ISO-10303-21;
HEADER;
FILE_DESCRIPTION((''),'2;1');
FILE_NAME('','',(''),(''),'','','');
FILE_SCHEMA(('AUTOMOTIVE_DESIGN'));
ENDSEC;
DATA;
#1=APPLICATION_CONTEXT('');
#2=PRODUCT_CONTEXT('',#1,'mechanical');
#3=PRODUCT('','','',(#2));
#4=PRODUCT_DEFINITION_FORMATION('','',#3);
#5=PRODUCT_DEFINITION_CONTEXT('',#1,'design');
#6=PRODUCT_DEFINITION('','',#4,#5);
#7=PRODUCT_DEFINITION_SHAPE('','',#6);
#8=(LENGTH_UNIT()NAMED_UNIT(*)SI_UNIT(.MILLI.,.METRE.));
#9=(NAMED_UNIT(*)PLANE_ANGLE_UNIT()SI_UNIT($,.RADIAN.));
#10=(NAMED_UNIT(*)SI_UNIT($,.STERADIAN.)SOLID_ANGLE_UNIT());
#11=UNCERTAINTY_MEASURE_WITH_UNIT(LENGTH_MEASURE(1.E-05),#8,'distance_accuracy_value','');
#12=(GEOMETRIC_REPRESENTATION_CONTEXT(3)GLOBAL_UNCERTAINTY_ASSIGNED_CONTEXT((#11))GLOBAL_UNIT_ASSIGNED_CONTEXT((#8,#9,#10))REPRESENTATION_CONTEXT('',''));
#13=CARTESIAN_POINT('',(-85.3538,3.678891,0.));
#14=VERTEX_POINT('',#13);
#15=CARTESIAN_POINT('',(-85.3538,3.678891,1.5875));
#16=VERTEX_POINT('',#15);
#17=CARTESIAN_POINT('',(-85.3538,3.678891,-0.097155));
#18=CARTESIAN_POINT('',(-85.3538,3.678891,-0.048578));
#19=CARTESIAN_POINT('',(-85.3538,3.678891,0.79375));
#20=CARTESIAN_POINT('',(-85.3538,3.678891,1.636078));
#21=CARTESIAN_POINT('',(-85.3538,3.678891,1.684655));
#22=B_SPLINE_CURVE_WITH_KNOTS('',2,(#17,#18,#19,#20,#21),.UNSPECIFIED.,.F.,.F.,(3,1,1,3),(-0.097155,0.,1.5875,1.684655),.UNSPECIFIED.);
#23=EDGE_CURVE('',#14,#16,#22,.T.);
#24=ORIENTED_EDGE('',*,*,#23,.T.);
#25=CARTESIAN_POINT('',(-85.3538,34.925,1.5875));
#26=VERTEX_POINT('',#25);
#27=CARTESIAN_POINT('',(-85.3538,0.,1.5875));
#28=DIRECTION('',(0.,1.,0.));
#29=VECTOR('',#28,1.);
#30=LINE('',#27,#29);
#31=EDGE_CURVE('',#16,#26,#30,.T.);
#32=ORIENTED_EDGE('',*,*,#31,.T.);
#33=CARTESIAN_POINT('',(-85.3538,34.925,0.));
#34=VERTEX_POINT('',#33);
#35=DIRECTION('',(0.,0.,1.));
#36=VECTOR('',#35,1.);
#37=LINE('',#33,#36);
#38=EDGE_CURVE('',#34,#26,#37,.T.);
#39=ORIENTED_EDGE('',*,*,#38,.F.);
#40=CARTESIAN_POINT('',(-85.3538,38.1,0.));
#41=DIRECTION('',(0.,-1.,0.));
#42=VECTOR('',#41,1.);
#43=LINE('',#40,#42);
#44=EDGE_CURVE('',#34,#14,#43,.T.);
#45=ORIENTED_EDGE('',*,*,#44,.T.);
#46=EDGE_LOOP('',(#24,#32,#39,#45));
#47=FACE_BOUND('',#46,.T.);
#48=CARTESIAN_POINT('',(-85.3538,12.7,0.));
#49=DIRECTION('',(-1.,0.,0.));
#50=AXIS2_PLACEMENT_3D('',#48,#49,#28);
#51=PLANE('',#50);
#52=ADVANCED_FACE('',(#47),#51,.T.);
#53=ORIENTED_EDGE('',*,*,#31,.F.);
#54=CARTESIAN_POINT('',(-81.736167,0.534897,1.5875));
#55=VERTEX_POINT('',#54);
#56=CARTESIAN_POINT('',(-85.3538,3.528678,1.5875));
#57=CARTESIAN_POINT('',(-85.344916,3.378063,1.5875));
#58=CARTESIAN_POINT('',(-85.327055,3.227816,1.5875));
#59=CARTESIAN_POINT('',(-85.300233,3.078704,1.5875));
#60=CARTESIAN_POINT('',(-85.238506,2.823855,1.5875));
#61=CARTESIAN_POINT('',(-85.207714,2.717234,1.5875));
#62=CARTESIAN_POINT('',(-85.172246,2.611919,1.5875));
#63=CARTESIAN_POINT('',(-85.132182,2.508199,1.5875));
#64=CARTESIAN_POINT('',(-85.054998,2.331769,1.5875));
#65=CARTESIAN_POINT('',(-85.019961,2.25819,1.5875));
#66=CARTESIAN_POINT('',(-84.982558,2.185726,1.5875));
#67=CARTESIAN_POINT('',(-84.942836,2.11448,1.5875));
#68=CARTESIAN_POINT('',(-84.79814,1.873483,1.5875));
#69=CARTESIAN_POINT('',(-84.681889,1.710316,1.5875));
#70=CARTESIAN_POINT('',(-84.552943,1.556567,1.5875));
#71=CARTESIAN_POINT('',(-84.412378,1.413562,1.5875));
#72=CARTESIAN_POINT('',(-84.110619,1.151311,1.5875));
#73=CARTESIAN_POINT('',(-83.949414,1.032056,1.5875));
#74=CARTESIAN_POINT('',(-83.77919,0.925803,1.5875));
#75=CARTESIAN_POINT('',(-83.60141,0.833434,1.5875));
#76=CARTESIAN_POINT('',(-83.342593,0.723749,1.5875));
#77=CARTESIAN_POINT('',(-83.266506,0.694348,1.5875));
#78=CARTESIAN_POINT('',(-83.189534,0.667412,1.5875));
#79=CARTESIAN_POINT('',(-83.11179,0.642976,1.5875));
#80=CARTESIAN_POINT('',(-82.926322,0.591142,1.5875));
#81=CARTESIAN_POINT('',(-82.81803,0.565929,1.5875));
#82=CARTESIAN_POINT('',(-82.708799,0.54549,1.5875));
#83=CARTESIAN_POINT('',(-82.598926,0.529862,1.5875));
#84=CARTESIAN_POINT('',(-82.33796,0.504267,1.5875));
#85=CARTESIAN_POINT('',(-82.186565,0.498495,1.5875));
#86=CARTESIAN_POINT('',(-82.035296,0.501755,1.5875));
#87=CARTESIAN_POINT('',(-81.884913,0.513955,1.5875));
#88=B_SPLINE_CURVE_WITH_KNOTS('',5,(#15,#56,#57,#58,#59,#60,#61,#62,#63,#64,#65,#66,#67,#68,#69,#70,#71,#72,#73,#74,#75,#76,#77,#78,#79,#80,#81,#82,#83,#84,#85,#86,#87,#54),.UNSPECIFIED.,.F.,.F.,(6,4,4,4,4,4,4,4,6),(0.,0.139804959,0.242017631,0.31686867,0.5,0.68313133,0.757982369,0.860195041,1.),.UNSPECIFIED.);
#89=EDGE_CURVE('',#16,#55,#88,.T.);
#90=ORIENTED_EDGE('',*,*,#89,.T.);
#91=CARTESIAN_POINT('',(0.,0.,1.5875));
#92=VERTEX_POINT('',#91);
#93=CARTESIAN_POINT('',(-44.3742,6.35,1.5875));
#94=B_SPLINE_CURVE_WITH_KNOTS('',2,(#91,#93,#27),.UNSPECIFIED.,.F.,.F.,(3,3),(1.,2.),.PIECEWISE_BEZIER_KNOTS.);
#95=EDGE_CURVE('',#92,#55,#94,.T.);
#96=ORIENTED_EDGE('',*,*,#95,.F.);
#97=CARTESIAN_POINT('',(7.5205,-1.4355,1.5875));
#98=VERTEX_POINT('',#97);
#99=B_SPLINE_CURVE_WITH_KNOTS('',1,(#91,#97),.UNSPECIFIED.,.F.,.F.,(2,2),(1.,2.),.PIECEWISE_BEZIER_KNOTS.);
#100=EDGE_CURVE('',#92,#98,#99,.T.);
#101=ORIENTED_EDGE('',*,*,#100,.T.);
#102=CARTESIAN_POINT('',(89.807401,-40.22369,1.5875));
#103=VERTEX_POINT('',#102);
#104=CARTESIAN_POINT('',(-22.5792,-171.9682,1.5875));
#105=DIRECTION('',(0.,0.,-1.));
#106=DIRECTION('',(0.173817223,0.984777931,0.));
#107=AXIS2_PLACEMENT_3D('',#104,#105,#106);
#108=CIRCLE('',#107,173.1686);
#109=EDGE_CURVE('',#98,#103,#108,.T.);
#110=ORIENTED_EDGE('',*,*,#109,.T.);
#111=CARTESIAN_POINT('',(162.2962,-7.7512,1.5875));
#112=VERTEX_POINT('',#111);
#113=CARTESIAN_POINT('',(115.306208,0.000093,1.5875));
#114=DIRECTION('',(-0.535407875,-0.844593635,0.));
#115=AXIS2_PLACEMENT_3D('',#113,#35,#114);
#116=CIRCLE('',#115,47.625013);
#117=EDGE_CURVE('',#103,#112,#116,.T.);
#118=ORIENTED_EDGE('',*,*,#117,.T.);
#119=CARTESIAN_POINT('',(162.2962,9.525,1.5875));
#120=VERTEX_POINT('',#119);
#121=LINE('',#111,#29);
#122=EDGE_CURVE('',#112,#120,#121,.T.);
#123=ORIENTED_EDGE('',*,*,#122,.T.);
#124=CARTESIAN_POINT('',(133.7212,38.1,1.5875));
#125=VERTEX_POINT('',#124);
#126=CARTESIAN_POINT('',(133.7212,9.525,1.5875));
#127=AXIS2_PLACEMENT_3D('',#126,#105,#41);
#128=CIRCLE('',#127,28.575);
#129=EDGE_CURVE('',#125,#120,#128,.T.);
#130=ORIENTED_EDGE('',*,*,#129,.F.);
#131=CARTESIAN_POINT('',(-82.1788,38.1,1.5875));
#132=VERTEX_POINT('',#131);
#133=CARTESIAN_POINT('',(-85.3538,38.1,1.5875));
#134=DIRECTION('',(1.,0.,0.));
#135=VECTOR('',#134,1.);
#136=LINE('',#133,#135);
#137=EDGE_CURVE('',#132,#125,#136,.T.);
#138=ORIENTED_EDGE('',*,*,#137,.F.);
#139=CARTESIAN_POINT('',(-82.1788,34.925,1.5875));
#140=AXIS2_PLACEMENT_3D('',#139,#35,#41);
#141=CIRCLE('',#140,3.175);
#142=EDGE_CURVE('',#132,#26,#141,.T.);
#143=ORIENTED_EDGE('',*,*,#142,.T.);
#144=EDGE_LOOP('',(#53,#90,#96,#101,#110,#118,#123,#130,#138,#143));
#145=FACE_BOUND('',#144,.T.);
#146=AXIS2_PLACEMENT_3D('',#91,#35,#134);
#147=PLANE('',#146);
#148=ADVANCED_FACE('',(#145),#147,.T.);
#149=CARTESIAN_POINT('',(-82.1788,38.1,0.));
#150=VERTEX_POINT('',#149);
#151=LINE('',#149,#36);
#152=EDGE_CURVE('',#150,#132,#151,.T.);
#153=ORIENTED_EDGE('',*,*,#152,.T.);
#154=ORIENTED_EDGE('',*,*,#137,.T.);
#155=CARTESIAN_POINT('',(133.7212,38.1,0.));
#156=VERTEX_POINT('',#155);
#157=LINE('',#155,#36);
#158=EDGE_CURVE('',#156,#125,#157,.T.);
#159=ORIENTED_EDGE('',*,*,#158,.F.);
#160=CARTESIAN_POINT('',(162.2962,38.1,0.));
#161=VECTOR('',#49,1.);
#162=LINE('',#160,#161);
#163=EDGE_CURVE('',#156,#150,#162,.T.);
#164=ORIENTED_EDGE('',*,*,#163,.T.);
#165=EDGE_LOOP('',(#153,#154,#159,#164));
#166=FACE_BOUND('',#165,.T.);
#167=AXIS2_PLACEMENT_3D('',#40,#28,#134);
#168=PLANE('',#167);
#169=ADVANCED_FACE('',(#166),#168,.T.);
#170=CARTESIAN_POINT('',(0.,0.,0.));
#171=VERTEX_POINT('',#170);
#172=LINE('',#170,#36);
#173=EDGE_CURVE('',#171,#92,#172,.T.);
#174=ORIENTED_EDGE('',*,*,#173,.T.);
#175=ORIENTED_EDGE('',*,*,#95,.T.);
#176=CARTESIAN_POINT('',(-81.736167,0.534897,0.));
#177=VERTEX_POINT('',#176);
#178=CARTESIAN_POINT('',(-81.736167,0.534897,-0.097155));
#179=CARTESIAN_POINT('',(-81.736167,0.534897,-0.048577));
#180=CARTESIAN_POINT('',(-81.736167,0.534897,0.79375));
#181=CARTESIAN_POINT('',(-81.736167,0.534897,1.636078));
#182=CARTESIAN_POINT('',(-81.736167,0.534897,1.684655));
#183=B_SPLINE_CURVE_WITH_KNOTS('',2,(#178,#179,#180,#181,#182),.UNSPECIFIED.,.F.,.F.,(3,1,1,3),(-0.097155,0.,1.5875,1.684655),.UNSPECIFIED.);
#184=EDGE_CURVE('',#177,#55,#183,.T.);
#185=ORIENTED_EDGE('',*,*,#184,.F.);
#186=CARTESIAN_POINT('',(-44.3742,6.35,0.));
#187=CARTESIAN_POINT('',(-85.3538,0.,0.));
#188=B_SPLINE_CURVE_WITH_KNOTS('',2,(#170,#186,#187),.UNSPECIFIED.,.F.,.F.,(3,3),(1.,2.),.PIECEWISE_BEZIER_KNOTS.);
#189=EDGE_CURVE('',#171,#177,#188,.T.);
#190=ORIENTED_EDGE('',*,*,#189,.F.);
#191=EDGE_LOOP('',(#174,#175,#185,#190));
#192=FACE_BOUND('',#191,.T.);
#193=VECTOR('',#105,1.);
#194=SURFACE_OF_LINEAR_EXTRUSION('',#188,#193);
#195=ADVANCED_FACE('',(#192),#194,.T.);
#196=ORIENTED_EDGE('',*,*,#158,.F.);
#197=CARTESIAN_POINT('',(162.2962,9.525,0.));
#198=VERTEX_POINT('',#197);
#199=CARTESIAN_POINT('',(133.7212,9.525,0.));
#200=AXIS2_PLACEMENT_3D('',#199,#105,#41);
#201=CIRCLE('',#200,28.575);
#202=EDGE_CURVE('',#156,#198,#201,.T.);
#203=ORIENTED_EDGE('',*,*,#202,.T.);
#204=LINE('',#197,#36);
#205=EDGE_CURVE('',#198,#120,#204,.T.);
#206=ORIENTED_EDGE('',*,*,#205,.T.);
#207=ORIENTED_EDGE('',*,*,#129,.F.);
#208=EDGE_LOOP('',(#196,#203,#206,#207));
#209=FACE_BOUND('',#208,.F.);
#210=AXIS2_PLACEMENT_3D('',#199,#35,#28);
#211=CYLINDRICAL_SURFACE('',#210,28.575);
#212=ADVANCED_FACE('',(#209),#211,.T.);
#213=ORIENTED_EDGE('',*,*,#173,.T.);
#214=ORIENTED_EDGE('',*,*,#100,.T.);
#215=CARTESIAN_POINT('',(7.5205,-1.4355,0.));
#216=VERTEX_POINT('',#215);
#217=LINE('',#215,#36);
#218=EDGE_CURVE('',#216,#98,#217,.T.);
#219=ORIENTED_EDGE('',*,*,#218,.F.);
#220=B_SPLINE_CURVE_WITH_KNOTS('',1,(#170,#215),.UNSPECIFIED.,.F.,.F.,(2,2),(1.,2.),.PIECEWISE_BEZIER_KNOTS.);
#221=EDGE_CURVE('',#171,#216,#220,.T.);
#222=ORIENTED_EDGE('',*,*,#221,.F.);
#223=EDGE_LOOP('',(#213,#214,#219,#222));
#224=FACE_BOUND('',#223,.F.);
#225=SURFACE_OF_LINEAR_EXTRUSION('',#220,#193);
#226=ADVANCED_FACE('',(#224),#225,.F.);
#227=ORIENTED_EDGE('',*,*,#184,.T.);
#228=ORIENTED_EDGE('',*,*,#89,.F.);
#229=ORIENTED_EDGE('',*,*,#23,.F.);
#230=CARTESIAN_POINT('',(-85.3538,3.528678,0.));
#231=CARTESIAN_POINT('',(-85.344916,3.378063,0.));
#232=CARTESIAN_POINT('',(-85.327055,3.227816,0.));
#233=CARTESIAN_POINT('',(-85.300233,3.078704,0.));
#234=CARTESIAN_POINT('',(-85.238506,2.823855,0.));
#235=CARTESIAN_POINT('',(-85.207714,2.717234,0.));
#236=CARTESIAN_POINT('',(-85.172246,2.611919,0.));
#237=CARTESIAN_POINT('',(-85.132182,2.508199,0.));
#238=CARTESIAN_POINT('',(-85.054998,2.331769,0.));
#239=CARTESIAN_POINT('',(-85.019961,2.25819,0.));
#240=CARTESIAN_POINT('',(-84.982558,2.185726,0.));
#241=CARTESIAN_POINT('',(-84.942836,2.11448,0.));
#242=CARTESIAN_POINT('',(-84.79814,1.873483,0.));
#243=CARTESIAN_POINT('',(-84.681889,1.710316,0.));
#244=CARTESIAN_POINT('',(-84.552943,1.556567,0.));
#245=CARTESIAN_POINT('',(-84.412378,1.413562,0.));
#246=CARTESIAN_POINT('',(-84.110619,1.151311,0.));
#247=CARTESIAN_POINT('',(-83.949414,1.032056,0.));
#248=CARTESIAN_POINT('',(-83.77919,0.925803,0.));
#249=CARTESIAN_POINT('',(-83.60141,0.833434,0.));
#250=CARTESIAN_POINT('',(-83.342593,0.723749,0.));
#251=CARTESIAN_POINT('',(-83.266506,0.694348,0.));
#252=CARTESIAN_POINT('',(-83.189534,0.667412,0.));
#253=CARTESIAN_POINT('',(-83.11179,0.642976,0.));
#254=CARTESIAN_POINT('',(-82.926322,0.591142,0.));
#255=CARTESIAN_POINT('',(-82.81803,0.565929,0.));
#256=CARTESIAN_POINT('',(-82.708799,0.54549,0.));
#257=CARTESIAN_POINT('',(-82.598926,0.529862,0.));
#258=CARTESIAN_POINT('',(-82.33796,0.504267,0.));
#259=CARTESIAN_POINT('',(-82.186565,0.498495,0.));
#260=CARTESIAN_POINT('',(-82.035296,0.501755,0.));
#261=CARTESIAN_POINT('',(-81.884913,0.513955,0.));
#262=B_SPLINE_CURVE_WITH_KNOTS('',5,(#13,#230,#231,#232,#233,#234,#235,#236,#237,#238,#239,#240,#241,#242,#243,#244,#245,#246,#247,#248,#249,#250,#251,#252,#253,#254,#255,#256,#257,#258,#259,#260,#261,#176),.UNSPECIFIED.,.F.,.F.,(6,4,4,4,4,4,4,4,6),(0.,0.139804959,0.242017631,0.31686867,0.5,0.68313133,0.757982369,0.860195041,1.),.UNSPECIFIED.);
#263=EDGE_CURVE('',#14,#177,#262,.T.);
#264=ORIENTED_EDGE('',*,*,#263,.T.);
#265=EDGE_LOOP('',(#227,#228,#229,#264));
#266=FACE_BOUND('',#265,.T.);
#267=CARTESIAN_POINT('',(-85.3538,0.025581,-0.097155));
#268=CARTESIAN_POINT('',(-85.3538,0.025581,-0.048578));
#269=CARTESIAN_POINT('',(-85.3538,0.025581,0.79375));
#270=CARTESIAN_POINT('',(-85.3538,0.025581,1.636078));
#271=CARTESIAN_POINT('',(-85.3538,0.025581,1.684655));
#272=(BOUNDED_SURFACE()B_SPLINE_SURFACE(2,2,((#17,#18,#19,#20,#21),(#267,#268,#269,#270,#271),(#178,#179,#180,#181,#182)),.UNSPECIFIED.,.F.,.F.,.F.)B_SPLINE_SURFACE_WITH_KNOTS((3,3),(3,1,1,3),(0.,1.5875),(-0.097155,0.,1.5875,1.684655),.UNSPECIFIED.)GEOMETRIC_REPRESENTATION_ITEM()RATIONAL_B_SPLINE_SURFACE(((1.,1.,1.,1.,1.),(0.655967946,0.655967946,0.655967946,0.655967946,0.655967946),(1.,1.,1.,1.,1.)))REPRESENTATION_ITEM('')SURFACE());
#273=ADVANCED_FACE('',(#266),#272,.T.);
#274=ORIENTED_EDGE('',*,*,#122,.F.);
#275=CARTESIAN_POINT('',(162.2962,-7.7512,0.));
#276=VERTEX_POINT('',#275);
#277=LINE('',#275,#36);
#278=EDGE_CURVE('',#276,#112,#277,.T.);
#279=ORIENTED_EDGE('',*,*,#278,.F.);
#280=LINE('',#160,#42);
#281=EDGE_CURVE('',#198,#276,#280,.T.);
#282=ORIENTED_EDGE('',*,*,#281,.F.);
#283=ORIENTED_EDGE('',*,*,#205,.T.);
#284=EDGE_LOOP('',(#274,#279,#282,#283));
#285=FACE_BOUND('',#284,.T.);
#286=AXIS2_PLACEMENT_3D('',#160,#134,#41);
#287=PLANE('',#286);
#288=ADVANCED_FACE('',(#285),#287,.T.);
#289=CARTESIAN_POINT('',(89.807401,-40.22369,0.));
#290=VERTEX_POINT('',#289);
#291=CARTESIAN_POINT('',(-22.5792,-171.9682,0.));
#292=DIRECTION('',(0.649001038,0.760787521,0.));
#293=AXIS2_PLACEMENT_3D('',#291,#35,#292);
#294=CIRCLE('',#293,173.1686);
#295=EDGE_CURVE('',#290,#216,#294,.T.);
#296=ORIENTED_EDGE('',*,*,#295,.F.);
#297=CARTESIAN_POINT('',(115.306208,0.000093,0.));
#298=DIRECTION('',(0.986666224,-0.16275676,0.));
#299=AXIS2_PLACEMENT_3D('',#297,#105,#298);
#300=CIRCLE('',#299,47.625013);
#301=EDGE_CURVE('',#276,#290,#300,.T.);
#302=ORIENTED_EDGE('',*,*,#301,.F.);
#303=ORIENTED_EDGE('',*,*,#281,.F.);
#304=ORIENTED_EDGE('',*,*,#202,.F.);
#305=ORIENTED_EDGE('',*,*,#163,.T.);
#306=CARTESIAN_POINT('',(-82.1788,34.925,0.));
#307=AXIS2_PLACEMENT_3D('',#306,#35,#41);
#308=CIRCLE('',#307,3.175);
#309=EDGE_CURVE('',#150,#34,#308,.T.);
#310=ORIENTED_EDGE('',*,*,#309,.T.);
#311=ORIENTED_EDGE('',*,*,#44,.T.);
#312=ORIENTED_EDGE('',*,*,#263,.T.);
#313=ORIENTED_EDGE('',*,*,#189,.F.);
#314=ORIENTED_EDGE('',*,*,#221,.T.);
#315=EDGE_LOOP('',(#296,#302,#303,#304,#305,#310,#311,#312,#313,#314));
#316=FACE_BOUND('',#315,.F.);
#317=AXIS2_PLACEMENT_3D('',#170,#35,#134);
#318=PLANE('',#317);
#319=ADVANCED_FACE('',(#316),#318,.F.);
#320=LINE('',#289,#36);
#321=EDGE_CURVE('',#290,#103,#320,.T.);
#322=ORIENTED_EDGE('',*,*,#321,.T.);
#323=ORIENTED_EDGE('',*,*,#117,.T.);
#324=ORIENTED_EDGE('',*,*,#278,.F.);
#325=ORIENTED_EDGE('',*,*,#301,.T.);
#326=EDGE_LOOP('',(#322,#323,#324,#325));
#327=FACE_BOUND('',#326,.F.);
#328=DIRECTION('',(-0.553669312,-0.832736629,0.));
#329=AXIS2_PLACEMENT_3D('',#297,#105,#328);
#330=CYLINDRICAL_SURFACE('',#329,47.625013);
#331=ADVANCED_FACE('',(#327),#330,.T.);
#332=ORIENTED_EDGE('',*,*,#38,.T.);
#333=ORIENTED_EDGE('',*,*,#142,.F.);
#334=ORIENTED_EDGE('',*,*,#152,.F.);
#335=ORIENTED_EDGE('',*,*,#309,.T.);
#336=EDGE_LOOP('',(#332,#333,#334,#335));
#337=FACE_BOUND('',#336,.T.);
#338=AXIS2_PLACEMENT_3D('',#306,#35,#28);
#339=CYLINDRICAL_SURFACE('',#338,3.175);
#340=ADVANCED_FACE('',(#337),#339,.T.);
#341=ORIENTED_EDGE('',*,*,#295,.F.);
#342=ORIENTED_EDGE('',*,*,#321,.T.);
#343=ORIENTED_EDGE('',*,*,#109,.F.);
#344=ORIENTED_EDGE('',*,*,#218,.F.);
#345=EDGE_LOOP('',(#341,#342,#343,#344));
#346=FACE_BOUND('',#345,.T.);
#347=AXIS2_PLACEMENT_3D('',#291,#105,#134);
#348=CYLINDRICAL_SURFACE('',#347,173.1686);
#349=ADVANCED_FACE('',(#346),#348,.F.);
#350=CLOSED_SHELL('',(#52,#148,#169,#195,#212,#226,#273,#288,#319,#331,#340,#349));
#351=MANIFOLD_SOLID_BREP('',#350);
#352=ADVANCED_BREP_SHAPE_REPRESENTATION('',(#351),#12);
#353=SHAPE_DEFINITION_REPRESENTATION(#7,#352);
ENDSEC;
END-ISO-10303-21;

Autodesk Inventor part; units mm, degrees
ref_plane "YZ Plane" through (0, 0, 0) normal (1, 0, 0) x (0, 1, 0)
ref_plane "XZ Plane" through (0, 0, 0) normal (0, 1, 0) x (-1, 0, 0)
ref_plane "XY Plane" through (0, 0, 0) normal (0, 0, 1) x (1, 0, 0)
sketch "Sketch1" plane through (0, 0, 0) normal (0, 0, 1) x (1, 0, 0)
  line L0 (-85.3538, 38.1) -> (162.2962, 38.1)
  line L1 (162.2962, 38.1) -> (162.2962, 12.7)
  line L2 (162.2962, 12.7) -> (-85.3538, 12.7)
  line L3 (-85.3538, 12.7) -> (-85.3538, 38.1)
  line L4 (162.2962, 38.1) -> (115.3062, 38.1)
  line L5 (115.3062, 38.1) -> (115.3062, 0)
  line L6 (115.3062, 0) -> (162.2962, 0)
  line L7 (162.2962, 0) -> (162.2962, 38.1)
  circle A0 centre (-22.5792, -171.9682) radius 173.1686
  line L8 (-85.3538, 12.7) -> (-85.3538, 0)
  line L9 (0, 0) -> (-44.3742, 6.35) construction
  line L10 (-44.3742, 6.35) -> (-85.3538, 0) construction
  spline S0 degree 2 poles (0, 0) (-44.3742, 6.35) (-85.3538, 0) knots 1 1 1 2 2 2
  line L11 (81.5863, -33.6319) -> (69.4058, 12.7)
  line L12 (0, 0) -> (0, 12.7)
  line L13 (0, 0) -> (67.6812, 0)
  line L14 (0, 0) -> (67.6812, 0)
  line L15 (81.5863, -33.6319) -> (29.3756, 0)
  line L16 (0, 0) -> (29.3756, 0)
  line L17 (27.7818, -6.2843) -> (29.3756, 0)
  line L18 (27.7744, -6.2821) -> (21.0977, 0)
  line L19 (7.9763, 0) -> (27.7808, -6.2881)
  line L20 (7.9763, 0) -> (7.5205, -1.4355)
  line L21 (0, 0) -> (7.5205, -1.4355) construction
  spline S1 degree 1 poles (0, 0) (7.5205, -1.4355) knots 1 1 2 2
  line L22 (81.5863, -33.6319) -> (101.3506, -50.0871) construction
  line L23 (101.3506, -50.0871) -> (95.7634, -43.4306) construction
  spline S2 degree 2 poles (81.5863, -33.6319) (101.3506, -50.0871) (95.7634, -43.4306) knots 1 1 1 2 2 2
  line L24 (162.2962, 0) -> (162.2962, -7.7512)
  arc A1 (88.9377, -39.659) -> (162.2962, -7.7512) centre (115.3062, 0) ccw
  arc A2 (162.2962, 7.7512) -> (81.5863, -33.6319) centre (115.3062, 0) ccw
  point P0 (60.3061, -19.9241)
  point P1 (162.2962, 12.7)
  point P2 (115.3062, 12.7)
  point P3 (162.2962, 12.7)
  point P4 (27.497, -6.198)
  point P5 (29.3756, 0)
  point P6 (89.8079, -40.2241)
  dimension "d0" = 247.65
  dimension "d1" = 25.4
  dimension "d4" = 38.1
  dimension "d5" = 46.99
extrude "Extrusion2" add sketch "Sketch1" along normal blind 1.5875 contours L0 A2 L2 L3 | L0 L5 L2 A2 | L2 L12 S0 L8 | L0 A2 L2 L5 | L0 L1 L2 A2 | A2 L13 L12 L2 | L2 L5 L6 L24 A1 A0 L11 | L11 A2 | L2 A2 L7 L6 L5 | L2 L7 A2 | A0 L15 L13 A2 | L13 L20 S1 | A0 L17 L15 | L17 A0 L18 L13 | L13 L18 A0 L19 | L19 A0 L20
fillet "Fillet1" radius 28.575 1 edges at (162.2962, 38.1, 0.7937)
fillet "Fillet2" radius 3.175 1 edges at (-85.3538, 38.1, 0.7937)
fillet "Fillet3" radius 3.175 1 edges at (-85.3538, 0, 0.7937)
sketch "Sketch2" plane through (0, 0, 1.5875) normal (0, 0, 1) x (1, 0, 0)
  circle A0 centre (-77.0322, 20.6187) radius 2.54
  line L0 (-77.0322, 20.6187) -> (-77.0322, 7.9187)
  circle A1 centre (-77.0322, 7.9187) radius 2.54
  line L1 (-77.0322, 20.6187) -> (-13.5322, 20.6187)
  circle A2 centre (-13.5322, 20.6187) radius 2.54
  line L2 (-77.0322, 7.9187) -> (-13.5322, 7.9187)
  circle A3 centre (-13.5322, 7.9187) radius 2.54
  line L3 (-13.5322, 20.6187) -> (-13.5322, 14.2687)
  line L4 (-13.5322, 14.2687) -> (-7.1822, 14.2687)
  circle A4 centre (-7.1822, 14.2687) radius 2.54
  line L5 (-7.1822, 14.2687) -> (5.5178, 14.2687)
  circle A5 centre (5.5178, 14.2687) radius 2.54
  point P0 (0, 0)
  dimension "d15" = 5.08
  dimension "d16" = 12.7
  dimension "d17" = 5.08
  dimension "d18" = 63.5
  dimension "d19" = 5.08
  dimension "d20" = 5.08
  dimension "d21" = 63.5
  dimension "d22" = 6.35
  dimension "d23" = 6.35
  dimension "d24" = 5.08
  dimension "d25" = 12.7
  dimension "d26" = 5.08
properties part number "meers goofy intake sled"
